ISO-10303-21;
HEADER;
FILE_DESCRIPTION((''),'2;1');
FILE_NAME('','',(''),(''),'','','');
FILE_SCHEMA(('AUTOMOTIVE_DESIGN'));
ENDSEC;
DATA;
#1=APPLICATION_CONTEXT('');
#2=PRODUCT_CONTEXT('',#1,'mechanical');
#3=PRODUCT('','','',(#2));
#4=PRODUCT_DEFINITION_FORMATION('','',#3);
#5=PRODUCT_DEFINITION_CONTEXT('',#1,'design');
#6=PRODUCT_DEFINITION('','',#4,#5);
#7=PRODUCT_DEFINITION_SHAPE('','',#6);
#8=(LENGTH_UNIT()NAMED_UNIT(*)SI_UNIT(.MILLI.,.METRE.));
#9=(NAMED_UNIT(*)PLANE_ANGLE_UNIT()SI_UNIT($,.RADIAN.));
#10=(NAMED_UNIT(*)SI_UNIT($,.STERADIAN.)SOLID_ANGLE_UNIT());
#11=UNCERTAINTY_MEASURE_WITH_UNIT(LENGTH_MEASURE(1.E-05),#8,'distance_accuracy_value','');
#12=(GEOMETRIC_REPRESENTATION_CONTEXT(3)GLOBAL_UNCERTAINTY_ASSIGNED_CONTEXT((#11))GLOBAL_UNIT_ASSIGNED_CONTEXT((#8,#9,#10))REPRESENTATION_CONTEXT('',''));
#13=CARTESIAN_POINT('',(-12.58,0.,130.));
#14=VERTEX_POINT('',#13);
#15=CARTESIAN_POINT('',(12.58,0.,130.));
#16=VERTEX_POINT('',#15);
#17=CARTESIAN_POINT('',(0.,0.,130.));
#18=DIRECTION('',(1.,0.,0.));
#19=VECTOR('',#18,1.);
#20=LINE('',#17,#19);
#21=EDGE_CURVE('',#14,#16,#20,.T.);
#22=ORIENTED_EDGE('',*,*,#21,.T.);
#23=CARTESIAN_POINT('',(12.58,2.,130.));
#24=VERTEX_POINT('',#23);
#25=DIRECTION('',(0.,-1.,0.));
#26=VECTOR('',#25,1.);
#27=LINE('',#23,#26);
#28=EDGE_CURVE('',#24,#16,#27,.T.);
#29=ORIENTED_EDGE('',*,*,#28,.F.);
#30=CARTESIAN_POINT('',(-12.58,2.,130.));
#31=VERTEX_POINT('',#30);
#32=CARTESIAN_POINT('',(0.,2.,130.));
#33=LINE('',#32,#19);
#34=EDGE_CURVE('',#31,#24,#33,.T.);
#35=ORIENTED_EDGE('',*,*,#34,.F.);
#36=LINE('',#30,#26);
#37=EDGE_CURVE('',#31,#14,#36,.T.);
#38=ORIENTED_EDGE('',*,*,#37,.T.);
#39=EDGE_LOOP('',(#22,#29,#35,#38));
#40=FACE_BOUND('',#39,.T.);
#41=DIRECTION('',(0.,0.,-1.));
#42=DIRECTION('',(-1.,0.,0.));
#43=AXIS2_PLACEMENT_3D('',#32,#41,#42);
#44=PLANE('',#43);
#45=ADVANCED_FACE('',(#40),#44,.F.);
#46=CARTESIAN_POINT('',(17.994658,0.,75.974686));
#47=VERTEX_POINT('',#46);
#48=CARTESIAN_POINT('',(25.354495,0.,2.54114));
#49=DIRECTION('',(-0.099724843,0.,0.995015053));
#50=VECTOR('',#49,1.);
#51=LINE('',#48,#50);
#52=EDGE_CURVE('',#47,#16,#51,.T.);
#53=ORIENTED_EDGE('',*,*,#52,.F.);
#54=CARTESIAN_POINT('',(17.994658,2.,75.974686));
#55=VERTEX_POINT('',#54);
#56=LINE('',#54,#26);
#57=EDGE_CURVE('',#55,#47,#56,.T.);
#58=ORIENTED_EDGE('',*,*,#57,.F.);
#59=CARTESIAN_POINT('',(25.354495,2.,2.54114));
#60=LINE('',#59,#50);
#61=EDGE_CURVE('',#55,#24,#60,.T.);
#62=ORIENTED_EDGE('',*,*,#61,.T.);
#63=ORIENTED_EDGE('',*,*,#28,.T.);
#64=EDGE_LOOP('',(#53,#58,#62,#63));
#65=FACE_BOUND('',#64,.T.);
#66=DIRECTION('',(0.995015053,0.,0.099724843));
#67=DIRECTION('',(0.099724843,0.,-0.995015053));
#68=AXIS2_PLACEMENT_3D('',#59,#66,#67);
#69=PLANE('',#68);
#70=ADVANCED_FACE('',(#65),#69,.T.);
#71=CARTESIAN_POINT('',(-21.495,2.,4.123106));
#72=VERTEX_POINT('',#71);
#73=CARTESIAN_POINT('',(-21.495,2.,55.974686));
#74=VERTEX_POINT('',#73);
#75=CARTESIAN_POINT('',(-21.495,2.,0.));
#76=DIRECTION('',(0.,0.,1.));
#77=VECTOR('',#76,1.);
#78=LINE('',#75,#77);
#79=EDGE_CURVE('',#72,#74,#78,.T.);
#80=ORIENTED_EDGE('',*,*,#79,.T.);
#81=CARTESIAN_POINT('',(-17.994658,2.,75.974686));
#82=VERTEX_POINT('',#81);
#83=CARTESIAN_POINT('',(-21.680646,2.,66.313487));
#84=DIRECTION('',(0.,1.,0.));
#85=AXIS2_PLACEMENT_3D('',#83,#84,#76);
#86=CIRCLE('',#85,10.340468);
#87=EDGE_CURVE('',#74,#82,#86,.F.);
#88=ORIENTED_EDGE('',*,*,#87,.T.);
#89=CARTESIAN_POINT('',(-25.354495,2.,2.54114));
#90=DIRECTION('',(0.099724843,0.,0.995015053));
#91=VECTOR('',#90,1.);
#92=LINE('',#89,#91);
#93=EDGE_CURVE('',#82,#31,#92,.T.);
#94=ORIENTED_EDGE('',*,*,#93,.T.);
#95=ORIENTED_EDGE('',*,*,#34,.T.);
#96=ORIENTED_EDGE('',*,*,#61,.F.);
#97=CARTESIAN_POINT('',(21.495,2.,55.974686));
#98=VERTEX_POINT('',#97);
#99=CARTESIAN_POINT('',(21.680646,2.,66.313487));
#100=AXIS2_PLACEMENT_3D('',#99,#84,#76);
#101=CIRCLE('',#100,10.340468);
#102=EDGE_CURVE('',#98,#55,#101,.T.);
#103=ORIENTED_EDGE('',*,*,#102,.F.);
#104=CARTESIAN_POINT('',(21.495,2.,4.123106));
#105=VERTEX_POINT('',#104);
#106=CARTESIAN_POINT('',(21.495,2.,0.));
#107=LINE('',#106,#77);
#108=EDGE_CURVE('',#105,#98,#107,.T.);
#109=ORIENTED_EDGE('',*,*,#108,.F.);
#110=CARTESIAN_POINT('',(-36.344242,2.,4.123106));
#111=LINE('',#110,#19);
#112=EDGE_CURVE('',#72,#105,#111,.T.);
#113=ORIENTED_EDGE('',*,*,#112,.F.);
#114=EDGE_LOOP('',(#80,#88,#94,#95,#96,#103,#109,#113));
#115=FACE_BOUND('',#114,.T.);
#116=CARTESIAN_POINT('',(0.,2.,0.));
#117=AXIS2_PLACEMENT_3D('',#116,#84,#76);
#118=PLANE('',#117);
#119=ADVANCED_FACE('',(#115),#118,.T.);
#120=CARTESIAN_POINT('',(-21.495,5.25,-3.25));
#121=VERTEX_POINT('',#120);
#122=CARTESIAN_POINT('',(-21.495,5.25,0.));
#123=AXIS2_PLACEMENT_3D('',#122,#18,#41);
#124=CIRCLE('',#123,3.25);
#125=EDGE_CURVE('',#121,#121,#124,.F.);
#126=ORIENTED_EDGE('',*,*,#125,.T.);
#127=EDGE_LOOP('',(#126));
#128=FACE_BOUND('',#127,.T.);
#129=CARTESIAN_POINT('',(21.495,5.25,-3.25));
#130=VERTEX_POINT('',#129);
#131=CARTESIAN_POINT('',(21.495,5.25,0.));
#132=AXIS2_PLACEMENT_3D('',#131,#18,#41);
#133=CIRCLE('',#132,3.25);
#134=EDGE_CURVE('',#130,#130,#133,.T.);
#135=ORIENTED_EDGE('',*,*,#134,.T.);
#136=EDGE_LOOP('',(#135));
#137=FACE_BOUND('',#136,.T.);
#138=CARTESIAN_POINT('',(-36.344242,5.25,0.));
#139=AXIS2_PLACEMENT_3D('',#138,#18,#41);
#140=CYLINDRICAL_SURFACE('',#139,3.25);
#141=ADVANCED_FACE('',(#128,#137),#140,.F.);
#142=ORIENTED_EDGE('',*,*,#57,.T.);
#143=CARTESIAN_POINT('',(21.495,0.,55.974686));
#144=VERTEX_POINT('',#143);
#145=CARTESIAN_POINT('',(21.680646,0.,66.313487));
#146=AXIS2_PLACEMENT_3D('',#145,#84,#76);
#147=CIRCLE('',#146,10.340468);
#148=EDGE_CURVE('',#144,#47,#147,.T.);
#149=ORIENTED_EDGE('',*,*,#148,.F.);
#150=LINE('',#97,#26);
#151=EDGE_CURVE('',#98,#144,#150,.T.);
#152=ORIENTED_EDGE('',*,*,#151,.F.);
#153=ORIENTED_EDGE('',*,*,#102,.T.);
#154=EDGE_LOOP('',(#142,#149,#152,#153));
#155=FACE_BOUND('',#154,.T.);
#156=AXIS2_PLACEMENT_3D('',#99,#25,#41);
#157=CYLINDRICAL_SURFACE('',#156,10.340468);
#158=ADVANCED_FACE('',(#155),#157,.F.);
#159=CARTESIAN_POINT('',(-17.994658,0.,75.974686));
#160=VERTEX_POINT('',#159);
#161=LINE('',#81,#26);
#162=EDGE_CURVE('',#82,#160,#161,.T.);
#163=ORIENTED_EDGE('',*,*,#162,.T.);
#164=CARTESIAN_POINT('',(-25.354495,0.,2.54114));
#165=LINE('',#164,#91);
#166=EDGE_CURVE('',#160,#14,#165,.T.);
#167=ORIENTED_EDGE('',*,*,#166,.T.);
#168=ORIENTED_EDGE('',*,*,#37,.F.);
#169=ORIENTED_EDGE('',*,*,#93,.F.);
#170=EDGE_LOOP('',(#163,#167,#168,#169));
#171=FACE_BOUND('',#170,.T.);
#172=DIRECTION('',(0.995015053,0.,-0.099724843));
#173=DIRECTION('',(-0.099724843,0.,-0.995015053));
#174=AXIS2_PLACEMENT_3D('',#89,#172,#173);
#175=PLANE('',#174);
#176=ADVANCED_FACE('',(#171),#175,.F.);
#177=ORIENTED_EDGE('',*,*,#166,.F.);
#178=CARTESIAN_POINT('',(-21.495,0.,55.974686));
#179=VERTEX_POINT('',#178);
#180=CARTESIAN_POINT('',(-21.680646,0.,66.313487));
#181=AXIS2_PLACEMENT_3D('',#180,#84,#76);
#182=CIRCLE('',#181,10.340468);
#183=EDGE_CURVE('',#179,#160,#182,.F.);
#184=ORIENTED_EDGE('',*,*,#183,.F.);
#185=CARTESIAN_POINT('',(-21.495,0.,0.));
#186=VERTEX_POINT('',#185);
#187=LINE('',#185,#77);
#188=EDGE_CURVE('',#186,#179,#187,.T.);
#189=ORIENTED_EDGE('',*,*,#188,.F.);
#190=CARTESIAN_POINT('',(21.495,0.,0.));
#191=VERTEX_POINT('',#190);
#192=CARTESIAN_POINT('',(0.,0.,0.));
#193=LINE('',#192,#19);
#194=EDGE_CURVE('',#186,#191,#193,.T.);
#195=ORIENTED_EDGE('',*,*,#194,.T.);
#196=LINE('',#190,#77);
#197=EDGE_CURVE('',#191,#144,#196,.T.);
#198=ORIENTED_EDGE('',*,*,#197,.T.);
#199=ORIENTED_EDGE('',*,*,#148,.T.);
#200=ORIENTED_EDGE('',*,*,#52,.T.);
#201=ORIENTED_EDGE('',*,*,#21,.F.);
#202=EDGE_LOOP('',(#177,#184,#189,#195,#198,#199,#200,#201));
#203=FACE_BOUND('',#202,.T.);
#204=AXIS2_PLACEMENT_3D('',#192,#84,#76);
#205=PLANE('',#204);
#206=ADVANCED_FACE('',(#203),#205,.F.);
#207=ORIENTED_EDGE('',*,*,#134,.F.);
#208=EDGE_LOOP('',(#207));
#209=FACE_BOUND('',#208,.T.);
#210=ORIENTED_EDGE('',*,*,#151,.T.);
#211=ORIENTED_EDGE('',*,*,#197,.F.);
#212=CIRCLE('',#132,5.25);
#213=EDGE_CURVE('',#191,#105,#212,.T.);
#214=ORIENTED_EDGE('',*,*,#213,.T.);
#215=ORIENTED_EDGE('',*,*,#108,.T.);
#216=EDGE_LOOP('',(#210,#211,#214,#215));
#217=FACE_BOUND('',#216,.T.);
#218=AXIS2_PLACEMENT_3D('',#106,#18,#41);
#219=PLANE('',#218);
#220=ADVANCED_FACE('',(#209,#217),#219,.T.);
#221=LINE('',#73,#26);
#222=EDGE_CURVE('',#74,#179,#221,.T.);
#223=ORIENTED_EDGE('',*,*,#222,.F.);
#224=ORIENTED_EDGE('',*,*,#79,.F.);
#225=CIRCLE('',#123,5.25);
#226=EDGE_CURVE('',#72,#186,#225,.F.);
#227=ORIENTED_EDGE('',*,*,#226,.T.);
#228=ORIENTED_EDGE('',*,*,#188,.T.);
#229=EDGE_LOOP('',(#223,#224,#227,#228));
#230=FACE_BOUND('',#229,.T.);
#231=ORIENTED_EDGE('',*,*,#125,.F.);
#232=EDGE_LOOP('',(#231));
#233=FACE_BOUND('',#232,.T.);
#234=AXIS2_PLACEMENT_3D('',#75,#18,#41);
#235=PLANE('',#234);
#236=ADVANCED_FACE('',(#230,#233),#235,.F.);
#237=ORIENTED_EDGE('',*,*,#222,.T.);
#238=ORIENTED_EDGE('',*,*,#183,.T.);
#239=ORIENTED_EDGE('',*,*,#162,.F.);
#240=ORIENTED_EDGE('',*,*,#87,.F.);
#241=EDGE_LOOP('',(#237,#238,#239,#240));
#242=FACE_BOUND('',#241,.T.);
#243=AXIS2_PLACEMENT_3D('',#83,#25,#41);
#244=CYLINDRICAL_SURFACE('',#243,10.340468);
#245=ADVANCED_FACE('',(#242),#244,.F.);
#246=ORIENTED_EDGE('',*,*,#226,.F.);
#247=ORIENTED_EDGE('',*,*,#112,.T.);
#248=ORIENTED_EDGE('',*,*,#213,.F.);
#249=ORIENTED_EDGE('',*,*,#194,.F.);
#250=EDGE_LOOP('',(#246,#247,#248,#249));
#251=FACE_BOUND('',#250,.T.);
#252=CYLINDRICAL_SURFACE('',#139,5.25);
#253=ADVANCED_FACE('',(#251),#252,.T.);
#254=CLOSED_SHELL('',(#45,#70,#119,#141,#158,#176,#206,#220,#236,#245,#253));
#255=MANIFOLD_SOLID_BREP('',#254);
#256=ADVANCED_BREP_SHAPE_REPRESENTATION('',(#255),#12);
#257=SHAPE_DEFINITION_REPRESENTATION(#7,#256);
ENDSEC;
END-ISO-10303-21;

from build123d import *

# Parameters (mm, degrees)
EXTRUDE_1_DEPTH = 2
SKETCH_4_R      = 5.25
SKETCH_4_R_2    = 3.25
EXTRUDE_4_DEPTH = 42.99


with BuildPart() as part:
    # Эскиз1 → Бобышка-Вытянуть1 (new body)
    with BuildSketch(Plane(origin=(0, 0, 0), x_dir=(1, 0, 0), z_dir=(0, 1, 0))):
        with BuildLine():
            Line((-21.495, 0), (21.495, 0))
            Line((21.495, 0), (21.495, -55.974685573))
            ThreePointArc((21.495, -55.974685573), (11.495, -64.530824352), (17.994657773, -75.974685573))
            Line((17.994657773, -75.974685573), (12.58, -130))
            Line((12.58, -130), (-12.58, -130))
            Line((-12.58, -130), (-17.994657773, -75.974685573))
            ThreePointArc((-17.994657773, -75.974685573), (-11.495, -64.530824352), (-21.495, -55.974685573))
            Line((-21.495, -55.974685573), (-21.495, 0))
        make_face()
    extrude(amount=EXTRUDE_1_DEPTH)

    # Эскиз4 → Бобышка-Вытянуть4 (add)
    with BuildSketch(Plane(origin=(21.495, 0, 0.569378428), x_dir=(0, 0, -1), z_dir=(1, 0, 0))):
        with Locations((0.569378428, 5.25)):
            Circle(SKETCH_4_R)
        with Locations((0.569378428, 5.25)):
            Circle(SKETCH_4_R_2, mode=Mode.SUBTRACT)
    extrude(amount=-EXTRUDE_4_DEPTH)


solid = part.part
